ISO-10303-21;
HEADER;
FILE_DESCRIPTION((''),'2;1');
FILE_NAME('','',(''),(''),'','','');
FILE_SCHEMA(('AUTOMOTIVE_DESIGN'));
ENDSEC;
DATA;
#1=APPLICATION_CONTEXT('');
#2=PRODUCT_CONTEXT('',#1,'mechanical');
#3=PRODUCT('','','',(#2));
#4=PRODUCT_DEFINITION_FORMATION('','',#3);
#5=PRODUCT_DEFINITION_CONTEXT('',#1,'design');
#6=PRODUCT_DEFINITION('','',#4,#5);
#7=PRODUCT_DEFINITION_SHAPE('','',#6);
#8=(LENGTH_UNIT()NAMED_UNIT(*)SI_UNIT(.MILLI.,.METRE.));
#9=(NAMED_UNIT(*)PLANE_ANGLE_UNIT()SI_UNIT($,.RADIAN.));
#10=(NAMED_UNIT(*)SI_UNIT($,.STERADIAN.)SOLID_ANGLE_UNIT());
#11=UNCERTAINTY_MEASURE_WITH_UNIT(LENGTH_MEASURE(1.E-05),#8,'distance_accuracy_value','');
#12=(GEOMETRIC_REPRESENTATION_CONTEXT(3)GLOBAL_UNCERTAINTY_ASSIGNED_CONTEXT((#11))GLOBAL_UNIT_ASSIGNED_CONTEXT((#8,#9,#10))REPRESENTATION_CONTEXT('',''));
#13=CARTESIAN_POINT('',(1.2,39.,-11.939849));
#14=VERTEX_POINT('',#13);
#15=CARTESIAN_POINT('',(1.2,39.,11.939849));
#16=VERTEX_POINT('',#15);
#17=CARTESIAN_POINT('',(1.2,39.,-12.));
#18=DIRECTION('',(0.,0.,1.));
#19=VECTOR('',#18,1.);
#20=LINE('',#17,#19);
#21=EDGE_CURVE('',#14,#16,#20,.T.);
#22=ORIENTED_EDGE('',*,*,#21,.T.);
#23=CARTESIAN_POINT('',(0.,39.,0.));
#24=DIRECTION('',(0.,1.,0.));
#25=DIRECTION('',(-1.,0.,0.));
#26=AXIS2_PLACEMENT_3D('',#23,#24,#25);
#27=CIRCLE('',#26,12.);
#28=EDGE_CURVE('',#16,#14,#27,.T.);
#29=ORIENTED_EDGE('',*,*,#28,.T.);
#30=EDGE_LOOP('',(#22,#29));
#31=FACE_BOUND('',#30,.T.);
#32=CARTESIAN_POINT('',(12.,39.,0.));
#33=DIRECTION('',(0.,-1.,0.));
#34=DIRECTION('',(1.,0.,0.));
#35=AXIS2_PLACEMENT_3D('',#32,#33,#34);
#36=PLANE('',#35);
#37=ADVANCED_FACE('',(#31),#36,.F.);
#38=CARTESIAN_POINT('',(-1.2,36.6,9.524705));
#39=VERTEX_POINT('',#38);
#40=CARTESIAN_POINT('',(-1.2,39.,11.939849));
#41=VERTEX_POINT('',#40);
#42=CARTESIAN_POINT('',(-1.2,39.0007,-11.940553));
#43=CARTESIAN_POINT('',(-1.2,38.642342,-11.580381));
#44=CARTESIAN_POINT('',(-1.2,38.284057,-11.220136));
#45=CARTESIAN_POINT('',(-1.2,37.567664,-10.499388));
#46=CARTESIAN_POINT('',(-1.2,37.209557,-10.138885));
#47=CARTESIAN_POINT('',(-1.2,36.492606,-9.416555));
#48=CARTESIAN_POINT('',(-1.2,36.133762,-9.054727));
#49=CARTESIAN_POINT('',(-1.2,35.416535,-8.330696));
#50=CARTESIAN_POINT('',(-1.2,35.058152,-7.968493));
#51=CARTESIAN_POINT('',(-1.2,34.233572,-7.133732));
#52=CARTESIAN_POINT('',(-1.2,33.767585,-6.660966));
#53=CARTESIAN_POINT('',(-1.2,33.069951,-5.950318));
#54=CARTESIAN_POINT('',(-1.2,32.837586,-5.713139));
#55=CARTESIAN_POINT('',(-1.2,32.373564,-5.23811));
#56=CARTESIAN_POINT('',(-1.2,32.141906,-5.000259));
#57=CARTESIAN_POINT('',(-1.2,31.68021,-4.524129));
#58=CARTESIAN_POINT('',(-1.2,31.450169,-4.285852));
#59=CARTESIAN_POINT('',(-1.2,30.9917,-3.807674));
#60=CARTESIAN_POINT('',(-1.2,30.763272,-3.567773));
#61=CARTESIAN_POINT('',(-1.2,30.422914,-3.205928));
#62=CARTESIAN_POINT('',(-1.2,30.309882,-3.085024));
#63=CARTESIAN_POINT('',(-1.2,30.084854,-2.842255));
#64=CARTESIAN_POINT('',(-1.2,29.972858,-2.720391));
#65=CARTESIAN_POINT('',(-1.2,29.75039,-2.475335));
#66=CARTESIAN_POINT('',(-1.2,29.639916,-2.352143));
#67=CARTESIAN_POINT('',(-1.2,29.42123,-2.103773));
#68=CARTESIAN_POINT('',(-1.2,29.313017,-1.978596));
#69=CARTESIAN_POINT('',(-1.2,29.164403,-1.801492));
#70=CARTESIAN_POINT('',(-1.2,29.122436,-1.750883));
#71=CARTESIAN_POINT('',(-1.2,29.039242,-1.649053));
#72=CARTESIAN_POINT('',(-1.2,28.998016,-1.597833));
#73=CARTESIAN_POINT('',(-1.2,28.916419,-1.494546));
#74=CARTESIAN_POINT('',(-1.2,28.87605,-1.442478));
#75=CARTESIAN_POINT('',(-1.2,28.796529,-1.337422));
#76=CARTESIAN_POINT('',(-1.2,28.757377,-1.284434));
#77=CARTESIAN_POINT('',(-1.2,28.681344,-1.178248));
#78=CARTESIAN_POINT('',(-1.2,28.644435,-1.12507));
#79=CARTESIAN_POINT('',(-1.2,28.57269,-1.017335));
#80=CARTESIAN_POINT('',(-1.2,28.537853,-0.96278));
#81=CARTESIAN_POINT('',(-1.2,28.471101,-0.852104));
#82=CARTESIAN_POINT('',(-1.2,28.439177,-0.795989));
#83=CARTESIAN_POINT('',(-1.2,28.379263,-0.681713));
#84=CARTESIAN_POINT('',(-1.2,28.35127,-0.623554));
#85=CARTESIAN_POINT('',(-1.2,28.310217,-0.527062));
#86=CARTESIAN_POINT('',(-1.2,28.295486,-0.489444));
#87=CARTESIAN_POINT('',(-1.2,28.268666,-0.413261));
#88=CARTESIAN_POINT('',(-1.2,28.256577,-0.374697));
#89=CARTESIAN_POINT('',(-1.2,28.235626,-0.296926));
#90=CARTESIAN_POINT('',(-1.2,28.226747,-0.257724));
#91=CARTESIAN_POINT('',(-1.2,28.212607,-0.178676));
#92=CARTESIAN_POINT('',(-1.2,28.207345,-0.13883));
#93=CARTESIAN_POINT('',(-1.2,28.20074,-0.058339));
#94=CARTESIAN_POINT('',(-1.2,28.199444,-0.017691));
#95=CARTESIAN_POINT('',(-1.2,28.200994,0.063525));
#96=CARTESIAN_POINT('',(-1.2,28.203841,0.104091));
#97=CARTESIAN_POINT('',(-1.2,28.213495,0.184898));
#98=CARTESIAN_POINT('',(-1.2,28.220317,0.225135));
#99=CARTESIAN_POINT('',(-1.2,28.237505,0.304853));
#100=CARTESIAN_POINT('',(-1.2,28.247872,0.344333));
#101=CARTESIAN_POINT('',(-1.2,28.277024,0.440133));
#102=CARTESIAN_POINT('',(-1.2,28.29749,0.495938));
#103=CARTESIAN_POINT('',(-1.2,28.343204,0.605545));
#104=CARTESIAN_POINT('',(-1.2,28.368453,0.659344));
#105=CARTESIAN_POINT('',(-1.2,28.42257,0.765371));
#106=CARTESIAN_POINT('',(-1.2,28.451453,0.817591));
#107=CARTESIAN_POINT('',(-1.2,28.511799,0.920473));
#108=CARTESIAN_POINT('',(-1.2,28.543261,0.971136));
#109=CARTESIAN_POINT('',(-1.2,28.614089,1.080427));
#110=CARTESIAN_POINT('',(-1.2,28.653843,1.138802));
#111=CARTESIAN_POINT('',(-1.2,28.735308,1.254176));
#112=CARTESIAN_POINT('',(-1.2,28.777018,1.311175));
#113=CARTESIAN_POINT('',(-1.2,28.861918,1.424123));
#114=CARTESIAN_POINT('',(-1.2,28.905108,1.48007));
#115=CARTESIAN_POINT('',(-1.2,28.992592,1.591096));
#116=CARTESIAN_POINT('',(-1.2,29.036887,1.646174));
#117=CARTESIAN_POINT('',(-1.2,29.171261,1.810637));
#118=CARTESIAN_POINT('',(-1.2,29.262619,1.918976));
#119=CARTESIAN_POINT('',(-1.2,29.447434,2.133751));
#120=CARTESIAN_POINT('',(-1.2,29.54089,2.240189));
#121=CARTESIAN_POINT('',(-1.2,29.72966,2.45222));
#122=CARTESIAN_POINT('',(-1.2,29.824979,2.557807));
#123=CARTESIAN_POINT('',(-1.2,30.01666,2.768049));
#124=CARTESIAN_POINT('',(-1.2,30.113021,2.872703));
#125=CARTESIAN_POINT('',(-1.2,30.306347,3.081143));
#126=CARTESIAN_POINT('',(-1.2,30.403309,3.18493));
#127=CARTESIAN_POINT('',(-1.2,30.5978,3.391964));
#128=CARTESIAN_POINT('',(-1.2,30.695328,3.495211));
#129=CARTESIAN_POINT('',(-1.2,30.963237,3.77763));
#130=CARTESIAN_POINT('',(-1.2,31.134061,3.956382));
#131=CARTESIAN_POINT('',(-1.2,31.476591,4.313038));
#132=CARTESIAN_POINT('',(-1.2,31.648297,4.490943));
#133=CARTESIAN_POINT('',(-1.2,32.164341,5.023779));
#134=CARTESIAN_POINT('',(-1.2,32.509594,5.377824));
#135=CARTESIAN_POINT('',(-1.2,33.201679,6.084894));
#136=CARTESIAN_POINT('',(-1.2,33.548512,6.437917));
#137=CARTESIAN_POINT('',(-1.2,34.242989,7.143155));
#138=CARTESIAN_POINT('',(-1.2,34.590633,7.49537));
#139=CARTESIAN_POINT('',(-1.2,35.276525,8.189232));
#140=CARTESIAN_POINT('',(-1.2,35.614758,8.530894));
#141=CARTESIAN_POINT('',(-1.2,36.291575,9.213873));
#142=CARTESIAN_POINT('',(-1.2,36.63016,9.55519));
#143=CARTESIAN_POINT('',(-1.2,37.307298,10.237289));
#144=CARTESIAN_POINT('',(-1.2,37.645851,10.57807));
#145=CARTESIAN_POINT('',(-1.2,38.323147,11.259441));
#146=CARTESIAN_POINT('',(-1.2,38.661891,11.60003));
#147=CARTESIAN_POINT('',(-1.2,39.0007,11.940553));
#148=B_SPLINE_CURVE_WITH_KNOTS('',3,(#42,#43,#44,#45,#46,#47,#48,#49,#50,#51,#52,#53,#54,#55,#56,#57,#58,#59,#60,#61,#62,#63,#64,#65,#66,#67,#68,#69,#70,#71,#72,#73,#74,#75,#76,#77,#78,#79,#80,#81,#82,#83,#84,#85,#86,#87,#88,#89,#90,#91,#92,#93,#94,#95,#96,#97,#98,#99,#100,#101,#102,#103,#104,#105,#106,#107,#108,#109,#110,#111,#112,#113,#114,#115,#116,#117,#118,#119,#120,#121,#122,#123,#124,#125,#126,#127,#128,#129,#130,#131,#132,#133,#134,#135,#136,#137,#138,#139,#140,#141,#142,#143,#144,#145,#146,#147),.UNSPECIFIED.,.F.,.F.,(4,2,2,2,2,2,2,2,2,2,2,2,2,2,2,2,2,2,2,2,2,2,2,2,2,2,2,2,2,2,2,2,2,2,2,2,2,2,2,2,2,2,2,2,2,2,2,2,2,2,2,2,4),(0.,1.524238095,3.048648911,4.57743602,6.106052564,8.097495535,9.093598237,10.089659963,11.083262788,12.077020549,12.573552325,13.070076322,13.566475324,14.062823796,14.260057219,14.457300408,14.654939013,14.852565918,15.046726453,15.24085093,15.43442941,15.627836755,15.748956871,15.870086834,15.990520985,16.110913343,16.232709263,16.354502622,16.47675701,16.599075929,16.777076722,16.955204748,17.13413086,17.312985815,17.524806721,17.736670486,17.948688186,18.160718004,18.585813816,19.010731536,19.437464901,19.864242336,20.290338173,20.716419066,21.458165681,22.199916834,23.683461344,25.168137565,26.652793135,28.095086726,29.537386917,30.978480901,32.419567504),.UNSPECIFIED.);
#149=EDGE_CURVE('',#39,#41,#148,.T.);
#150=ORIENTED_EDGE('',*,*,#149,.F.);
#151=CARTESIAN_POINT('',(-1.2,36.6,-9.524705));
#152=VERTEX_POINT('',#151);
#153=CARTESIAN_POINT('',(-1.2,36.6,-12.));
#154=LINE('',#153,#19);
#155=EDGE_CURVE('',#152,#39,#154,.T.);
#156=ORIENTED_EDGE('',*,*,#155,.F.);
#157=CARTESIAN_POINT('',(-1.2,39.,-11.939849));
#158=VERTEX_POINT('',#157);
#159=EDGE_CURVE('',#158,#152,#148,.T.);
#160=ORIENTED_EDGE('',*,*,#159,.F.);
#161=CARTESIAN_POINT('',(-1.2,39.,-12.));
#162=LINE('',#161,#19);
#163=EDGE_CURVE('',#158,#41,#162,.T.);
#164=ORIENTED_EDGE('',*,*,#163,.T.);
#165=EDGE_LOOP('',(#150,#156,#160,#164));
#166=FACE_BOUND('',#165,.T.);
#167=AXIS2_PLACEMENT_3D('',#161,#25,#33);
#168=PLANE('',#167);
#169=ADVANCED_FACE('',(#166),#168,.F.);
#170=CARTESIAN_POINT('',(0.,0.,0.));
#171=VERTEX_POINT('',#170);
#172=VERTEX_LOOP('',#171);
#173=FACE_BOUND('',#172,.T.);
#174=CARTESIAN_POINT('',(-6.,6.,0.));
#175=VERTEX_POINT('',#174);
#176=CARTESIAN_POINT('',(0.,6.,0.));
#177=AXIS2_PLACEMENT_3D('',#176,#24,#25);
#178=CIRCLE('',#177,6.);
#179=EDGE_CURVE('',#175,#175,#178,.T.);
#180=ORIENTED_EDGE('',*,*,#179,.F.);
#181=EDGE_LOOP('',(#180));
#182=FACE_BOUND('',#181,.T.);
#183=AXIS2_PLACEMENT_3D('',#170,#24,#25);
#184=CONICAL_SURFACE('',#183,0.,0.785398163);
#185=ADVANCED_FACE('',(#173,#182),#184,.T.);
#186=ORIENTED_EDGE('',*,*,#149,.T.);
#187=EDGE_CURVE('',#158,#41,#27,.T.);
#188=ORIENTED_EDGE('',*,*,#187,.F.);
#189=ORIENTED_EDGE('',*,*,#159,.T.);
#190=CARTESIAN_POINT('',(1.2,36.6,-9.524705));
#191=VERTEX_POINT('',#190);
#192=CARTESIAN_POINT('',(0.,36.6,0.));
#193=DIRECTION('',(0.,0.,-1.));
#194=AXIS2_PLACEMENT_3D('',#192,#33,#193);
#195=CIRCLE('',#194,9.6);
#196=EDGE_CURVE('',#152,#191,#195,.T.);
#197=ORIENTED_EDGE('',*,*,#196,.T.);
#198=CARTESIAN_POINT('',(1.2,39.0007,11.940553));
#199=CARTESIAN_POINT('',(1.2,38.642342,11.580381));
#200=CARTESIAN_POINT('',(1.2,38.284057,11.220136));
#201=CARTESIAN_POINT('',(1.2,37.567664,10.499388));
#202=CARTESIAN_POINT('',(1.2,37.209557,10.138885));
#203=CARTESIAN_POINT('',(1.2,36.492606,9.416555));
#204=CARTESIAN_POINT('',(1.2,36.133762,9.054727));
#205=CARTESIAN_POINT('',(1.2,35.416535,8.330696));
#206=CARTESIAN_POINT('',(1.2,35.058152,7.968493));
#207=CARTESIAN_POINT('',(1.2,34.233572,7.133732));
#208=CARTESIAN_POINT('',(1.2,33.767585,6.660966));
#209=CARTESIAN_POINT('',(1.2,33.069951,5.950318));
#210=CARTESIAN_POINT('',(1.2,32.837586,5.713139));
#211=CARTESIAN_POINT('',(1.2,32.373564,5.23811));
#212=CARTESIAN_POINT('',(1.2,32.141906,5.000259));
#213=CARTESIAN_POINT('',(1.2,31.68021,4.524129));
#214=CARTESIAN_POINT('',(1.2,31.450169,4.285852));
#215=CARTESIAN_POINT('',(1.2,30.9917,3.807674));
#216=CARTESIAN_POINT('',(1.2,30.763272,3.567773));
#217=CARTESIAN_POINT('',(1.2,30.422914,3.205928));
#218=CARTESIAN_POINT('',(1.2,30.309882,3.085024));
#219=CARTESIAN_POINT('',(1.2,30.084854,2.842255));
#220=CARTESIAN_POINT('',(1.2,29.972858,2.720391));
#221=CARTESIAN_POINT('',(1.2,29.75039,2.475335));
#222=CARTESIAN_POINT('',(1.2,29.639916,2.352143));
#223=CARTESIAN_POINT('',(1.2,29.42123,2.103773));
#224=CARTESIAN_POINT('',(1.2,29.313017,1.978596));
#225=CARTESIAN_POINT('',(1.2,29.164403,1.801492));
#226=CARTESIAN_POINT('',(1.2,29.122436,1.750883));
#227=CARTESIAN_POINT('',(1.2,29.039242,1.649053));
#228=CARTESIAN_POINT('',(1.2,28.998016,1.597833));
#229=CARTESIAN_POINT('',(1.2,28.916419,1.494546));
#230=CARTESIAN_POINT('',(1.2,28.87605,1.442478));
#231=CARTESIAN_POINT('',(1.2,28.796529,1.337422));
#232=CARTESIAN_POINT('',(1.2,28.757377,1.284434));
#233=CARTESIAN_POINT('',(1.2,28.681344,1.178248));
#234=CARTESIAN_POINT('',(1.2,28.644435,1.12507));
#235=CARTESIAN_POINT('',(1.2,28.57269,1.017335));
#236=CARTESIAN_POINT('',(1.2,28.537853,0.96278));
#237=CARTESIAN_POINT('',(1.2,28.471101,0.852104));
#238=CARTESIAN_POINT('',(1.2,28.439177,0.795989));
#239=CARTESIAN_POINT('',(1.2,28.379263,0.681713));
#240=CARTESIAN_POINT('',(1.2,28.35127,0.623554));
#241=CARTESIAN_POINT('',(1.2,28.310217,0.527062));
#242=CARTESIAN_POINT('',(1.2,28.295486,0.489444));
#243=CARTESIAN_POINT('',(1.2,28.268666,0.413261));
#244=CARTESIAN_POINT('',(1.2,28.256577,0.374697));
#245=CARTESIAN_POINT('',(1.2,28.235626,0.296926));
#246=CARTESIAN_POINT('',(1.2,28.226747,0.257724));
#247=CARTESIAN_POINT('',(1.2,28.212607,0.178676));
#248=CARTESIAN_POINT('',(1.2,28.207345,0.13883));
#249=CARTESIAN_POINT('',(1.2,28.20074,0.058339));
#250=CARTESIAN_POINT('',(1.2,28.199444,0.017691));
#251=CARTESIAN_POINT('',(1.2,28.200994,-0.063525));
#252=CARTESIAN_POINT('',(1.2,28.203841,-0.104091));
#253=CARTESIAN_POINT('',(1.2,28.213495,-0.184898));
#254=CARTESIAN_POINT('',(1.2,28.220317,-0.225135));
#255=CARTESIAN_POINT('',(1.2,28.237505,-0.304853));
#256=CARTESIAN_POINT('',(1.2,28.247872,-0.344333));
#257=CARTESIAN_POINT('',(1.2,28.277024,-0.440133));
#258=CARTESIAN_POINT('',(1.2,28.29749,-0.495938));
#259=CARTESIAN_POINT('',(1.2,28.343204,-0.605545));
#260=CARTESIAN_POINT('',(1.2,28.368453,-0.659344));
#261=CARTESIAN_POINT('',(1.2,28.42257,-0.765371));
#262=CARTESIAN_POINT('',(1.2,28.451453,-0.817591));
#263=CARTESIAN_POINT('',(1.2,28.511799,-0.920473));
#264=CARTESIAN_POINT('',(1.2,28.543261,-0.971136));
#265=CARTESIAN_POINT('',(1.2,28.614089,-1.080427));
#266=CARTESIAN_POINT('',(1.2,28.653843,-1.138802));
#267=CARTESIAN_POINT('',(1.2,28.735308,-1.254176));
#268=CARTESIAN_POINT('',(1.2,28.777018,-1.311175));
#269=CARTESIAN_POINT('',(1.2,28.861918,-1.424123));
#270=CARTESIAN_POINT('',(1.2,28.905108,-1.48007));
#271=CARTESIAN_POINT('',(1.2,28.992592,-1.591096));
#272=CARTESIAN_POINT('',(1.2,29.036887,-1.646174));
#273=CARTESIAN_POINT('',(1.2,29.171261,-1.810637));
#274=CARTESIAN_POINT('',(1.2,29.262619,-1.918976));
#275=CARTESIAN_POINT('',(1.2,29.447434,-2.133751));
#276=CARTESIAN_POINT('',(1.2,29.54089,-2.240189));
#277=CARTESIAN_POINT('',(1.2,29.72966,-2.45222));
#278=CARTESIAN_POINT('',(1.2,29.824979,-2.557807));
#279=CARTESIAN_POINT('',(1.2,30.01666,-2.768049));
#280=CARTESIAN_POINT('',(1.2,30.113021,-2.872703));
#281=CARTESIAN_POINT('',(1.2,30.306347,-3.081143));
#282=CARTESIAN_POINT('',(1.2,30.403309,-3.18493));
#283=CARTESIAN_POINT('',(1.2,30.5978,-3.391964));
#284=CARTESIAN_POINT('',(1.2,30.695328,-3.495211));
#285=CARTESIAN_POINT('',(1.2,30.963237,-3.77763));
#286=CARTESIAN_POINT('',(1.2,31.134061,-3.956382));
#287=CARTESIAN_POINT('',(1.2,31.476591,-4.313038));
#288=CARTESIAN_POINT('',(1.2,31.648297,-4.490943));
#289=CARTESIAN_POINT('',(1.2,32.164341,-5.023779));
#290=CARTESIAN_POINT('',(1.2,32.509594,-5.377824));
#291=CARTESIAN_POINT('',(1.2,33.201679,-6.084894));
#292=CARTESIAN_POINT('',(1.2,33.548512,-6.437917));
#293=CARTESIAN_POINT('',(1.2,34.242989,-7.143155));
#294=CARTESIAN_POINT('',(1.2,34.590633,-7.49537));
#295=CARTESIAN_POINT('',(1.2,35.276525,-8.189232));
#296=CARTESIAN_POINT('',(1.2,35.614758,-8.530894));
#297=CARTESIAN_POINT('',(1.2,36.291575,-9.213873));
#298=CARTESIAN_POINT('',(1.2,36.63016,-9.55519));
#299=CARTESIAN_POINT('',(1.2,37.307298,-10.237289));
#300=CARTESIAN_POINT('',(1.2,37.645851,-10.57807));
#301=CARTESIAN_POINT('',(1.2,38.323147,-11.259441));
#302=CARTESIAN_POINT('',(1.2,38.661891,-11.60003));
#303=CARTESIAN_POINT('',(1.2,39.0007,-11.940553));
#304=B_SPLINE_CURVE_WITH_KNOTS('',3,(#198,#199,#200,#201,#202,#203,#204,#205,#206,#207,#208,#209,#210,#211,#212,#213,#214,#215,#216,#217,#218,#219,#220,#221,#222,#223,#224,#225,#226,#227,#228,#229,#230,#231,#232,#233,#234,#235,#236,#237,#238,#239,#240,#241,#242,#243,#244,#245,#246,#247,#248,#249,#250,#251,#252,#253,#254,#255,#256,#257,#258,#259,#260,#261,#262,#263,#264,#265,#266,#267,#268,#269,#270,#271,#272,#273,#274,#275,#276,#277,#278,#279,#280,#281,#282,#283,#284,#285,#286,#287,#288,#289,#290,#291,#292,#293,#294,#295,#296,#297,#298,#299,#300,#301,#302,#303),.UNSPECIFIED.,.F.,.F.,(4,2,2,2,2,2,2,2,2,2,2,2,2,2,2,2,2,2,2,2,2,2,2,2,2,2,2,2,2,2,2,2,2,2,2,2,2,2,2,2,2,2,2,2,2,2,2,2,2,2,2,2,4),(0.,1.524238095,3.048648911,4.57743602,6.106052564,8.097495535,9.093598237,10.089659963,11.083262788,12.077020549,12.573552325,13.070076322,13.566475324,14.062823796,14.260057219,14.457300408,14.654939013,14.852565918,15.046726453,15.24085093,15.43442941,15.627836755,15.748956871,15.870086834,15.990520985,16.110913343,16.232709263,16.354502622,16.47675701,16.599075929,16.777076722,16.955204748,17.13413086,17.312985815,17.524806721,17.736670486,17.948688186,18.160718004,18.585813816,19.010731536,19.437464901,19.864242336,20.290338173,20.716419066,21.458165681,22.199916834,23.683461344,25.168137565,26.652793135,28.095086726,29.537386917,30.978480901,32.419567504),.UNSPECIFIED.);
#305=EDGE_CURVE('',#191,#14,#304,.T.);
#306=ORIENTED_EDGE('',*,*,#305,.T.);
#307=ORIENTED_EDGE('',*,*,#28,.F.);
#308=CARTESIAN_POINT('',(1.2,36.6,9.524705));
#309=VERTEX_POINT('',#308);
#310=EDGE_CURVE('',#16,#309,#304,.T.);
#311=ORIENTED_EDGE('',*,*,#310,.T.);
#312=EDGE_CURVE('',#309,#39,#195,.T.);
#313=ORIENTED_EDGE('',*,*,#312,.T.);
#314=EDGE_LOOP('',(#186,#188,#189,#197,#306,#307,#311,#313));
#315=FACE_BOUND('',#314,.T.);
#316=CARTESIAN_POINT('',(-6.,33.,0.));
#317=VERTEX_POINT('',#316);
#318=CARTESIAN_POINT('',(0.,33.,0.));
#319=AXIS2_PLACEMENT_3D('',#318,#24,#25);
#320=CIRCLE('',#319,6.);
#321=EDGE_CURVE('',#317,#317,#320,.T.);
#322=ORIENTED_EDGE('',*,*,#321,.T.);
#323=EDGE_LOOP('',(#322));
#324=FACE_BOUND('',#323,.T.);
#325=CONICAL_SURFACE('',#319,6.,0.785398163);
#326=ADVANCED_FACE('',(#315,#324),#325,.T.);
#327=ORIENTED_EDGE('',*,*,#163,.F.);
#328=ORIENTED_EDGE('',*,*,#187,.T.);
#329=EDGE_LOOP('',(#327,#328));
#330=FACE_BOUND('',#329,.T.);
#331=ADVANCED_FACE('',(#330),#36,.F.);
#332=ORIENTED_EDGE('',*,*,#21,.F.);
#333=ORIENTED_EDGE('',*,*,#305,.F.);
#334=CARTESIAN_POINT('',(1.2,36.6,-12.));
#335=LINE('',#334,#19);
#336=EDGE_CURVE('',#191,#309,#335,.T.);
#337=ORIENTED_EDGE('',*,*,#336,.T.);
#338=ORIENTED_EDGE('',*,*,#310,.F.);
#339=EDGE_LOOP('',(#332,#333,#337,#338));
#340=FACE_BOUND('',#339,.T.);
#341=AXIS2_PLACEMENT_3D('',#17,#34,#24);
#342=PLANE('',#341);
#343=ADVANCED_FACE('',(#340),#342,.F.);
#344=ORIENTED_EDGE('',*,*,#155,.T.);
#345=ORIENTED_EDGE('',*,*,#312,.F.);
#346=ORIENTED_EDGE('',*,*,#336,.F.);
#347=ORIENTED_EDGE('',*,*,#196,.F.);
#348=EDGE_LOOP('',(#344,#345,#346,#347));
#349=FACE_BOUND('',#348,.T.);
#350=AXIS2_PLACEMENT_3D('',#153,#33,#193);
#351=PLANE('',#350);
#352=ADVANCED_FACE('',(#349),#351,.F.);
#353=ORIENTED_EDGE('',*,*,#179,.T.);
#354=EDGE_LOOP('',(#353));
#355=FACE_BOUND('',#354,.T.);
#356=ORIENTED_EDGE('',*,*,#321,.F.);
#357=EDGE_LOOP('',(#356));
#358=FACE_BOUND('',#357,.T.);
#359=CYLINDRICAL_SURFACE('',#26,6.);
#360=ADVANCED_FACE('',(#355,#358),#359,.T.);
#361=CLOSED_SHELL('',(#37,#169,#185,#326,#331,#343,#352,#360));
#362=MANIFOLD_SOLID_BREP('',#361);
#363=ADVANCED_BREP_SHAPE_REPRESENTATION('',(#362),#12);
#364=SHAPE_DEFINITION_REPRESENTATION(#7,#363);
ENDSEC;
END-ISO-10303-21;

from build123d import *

# Parameters (mm, degrees)
CUT_EXTRUDE1_DEPTH      = 43.532340636
CUT_EXTRUDE1_DEPTH_BACK = 43.532340636
SKETCH2_W               = 2.4
SKETCH2_H               = 2.4


with BuildPart() as part:
    # Sketch1 → Revolve1 (revolve)
    with BuildSketch(Plane.XY, mode=Mode.PRIVATE) as revolve1_sk:
        Polygon((0, 0), (6, 6), (6, 33), (12, 39), (0, 39), align=None)
    revolve(revolve1_sk.sketch.rotate(Axis((0, 39, 0), (0, -1, 0)), 180), axis=Axis((0, 39, 0), (0, -1, 0)))

    # Sketch2 → Cut-Extrude1 (cut, two sides: drawn at the far end of the back side and taken through both)
    with BuildSketch(Plane.XY.offset(-CUT_EXTRUDE1_DEPTH_BACK)):
        with Locations((0, 37.8)):
            Rectangle(SKETCH2_W, SKETCH2_H)
    extrude(amount=CUT_EXTRUDE1_DEPTH + CUT_EXTRUDE1_DEPTH_BACK, mode=Mode.SUBTRACT)


solid = part.part
